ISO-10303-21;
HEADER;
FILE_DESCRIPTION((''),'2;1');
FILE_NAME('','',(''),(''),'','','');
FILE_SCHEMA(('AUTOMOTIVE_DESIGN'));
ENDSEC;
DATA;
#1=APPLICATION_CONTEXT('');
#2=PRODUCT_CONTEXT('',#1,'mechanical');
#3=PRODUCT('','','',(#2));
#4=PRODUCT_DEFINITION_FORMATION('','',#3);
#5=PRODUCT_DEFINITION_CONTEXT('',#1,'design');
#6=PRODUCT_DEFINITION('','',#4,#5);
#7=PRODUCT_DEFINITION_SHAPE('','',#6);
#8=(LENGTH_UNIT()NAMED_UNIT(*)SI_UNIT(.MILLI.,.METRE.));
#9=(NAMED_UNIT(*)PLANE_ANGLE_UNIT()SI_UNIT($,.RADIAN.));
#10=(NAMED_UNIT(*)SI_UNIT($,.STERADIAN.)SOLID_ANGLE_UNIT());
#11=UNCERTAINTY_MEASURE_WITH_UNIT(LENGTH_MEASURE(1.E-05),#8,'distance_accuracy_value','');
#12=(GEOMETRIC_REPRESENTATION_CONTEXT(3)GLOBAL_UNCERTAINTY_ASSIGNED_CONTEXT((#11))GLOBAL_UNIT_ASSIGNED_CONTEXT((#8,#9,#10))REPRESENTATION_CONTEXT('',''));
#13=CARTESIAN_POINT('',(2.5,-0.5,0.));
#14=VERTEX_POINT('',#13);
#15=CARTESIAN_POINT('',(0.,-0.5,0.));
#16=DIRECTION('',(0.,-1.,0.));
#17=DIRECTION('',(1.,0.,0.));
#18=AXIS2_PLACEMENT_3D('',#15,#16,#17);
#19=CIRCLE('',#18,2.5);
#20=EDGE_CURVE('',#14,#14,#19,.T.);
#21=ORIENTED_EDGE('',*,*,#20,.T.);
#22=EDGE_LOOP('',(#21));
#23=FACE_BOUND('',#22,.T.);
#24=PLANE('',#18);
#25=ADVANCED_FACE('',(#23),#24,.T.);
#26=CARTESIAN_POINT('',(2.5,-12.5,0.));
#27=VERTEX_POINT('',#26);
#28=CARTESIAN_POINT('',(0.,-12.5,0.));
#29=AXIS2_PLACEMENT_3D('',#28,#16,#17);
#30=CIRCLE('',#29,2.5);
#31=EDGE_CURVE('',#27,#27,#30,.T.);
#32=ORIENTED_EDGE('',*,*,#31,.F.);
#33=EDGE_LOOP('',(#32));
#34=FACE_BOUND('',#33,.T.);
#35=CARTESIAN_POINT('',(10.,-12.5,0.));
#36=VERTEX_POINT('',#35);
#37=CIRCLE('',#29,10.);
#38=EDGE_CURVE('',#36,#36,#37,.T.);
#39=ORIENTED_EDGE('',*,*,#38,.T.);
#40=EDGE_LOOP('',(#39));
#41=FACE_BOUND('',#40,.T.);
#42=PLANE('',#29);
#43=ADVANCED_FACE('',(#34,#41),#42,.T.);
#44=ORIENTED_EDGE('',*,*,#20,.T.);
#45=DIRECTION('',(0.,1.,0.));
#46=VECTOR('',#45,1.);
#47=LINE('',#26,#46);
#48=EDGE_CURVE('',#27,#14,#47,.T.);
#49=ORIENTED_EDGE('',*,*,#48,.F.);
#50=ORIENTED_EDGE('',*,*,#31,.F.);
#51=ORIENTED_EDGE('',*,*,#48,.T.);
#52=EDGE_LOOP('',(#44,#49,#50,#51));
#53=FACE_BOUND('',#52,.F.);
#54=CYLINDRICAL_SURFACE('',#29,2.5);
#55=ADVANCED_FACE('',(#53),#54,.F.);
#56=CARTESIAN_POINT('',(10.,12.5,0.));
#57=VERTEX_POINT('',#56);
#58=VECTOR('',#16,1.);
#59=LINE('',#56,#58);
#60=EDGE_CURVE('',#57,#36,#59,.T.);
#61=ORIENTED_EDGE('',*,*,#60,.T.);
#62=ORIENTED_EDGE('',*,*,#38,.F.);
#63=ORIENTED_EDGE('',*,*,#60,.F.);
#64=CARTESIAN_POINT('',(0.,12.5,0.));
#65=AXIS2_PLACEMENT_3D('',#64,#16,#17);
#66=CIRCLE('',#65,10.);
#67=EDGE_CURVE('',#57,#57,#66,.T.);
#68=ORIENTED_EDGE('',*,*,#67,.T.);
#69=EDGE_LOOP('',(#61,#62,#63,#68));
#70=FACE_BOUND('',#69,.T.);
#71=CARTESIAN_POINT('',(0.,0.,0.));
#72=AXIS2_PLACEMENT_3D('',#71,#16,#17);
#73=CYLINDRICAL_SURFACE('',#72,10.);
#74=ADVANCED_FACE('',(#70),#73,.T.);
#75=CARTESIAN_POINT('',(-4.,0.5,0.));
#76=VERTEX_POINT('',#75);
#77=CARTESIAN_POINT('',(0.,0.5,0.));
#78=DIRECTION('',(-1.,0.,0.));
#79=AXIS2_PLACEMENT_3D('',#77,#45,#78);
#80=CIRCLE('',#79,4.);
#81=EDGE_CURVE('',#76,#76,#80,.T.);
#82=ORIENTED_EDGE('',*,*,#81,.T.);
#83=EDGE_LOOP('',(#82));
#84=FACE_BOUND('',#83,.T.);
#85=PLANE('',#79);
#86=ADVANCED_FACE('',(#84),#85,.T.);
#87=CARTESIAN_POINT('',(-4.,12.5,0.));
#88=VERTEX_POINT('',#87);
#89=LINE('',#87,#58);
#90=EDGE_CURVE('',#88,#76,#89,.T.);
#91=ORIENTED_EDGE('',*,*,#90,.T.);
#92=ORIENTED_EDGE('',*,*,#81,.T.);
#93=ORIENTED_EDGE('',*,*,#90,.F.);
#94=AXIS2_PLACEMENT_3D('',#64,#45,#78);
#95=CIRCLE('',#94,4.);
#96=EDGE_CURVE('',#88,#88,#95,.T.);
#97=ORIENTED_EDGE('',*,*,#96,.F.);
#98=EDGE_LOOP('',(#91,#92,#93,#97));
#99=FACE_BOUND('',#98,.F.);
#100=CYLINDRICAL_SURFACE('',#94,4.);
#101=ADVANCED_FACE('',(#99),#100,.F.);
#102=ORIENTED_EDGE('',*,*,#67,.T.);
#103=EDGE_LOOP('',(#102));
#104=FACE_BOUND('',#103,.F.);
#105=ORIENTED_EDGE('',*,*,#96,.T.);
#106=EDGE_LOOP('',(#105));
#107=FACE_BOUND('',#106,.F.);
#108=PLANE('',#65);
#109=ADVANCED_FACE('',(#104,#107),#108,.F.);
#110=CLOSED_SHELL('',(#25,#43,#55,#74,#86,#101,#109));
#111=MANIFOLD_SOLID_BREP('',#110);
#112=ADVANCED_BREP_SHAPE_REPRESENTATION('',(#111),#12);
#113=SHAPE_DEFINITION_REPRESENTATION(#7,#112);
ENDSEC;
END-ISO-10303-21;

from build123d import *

# Parameters (mm, degrees)
F0_R     = 10
F1_DEPTH = 12.5
F2_R     = 2.5
F3_DEPTH = 12
F4_R     = 4
F5_DEPTH = 12


with BuildPart() as f1:
    # F0 (on Front) → F1 (new body, symmetric)
    with BuildSketch(Plane.XZ):
        Circle(F0_R)
    extrude(amount=F1_DEPTH, both=True)

    # F2 (on face) → F3 (cut)
    with BuildSketch(Plane.XZ.offset(12.5)):
        Circle(F2_R)
    extrude(amount=-F3_DEPTH, mode=Mode.SUBTRACT)

    # F4 (on face) → F5 (cut)
    with BuildSketch(Plane(origin=(0, 12.5, 0), x_dir=(-1, 0, 0), z_dir=(0, 1, 0))):
        Circle(F4_R)
    extrude(amount=-F5_DEPTH, mode=Mode.SUBTRACT)


solid = f1.part
